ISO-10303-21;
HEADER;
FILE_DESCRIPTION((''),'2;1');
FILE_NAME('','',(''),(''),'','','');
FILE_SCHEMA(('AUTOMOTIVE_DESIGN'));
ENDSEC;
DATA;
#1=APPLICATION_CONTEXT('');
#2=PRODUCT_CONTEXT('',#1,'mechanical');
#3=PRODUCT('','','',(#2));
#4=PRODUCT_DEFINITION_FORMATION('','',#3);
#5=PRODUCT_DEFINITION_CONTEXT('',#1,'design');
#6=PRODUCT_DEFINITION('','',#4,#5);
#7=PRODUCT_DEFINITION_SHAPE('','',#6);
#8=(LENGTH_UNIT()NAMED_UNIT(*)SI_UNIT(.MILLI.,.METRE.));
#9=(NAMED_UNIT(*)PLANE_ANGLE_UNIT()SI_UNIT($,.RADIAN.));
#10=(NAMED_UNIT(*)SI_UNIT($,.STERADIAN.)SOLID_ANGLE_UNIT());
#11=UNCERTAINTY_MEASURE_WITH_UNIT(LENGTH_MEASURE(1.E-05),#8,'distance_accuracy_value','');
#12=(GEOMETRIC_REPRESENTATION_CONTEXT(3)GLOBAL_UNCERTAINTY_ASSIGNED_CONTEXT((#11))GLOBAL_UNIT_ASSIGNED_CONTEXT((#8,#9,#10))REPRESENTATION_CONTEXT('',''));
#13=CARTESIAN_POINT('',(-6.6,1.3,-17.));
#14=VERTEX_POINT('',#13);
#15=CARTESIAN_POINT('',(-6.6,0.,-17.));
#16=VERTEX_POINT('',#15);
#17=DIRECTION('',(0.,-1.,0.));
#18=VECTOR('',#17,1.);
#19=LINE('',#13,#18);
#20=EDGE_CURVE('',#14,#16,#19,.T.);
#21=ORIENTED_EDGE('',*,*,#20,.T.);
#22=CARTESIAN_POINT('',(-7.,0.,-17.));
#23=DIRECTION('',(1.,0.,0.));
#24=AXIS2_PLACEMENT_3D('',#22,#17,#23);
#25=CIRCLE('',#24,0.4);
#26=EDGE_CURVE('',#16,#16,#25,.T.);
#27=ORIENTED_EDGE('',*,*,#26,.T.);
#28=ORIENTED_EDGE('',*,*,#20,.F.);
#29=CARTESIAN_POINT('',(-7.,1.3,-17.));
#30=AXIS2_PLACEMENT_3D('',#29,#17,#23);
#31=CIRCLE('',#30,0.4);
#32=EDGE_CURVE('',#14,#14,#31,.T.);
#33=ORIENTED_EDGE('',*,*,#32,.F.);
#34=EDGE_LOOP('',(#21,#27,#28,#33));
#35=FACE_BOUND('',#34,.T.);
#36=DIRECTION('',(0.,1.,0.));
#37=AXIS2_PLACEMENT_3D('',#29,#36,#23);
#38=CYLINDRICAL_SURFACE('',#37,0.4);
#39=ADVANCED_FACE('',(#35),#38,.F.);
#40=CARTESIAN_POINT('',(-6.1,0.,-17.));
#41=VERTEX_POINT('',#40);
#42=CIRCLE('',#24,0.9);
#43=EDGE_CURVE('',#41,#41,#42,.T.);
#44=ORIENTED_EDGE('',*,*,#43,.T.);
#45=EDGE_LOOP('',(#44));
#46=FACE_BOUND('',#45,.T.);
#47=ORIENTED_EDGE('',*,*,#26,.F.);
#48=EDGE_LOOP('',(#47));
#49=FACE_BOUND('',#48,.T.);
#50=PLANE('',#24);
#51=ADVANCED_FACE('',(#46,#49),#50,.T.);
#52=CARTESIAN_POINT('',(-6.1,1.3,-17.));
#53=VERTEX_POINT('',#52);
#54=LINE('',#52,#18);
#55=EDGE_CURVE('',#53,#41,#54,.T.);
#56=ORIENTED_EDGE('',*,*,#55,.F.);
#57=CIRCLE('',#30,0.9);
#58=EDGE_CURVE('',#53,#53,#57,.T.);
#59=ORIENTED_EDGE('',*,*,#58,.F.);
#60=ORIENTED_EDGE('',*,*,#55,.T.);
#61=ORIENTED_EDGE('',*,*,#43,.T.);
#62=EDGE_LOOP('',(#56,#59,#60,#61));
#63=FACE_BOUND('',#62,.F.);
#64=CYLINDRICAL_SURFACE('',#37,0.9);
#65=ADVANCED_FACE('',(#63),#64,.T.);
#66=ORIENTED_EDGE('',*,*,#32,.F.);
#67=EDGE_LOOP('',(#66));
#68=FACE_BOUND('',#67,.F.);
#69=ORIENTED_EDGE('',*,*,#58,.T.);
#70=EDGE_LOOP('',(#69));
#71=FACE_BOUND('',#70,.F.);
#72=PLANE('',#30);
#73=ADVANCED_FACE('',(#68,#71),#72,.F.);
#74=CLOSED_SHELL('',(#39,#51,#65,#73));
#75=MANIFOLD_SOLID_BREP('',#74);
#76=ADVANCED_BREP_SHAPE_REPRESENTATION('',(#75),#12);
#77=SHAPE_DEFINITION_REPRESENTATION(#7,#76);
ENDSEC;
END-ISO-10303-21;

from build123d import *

# Parameters (mm, degrees)
CYLINDER162_R          = 0.4
CYLINDER162_DEPTH      = 1.3
CYLINDER153_R          = 0.9
CYLINDER153_DEPTH      = 1.3
CUT115_PLACEMENT_ANGLE = 90


with BuildPart() as cylinder162:
    # Cylinder162 → Cylinder162 (new body)
    with BuildSketch(Plane.XY):
        Circle(CYLINDER162_R)
    extrude(amount=CYLINDER162_DEPTH)


with BuildPart() as contact:
    # Cylinder153 → Cylinder153 (new body)
    with BuildSketch(Plane.XY):
        Circle(CYLINDER153_R)
    extrude(amount=CYLINDER153_DEPTH)

    # Cut115: cut Cylinder162
    add(cylinder162.part, mode=Mode.SUBTRACT)


with BuildPart() as contact_1:
    # Cut115 placement: moved
    add(contact.part.moved(Location((-7, 1.3, -17))).rotate(Axis((-7, 1.3, -17), (1, 0, 0)), CUT115_PLACEMENT_ANGLE))


solid = contact_1.part
